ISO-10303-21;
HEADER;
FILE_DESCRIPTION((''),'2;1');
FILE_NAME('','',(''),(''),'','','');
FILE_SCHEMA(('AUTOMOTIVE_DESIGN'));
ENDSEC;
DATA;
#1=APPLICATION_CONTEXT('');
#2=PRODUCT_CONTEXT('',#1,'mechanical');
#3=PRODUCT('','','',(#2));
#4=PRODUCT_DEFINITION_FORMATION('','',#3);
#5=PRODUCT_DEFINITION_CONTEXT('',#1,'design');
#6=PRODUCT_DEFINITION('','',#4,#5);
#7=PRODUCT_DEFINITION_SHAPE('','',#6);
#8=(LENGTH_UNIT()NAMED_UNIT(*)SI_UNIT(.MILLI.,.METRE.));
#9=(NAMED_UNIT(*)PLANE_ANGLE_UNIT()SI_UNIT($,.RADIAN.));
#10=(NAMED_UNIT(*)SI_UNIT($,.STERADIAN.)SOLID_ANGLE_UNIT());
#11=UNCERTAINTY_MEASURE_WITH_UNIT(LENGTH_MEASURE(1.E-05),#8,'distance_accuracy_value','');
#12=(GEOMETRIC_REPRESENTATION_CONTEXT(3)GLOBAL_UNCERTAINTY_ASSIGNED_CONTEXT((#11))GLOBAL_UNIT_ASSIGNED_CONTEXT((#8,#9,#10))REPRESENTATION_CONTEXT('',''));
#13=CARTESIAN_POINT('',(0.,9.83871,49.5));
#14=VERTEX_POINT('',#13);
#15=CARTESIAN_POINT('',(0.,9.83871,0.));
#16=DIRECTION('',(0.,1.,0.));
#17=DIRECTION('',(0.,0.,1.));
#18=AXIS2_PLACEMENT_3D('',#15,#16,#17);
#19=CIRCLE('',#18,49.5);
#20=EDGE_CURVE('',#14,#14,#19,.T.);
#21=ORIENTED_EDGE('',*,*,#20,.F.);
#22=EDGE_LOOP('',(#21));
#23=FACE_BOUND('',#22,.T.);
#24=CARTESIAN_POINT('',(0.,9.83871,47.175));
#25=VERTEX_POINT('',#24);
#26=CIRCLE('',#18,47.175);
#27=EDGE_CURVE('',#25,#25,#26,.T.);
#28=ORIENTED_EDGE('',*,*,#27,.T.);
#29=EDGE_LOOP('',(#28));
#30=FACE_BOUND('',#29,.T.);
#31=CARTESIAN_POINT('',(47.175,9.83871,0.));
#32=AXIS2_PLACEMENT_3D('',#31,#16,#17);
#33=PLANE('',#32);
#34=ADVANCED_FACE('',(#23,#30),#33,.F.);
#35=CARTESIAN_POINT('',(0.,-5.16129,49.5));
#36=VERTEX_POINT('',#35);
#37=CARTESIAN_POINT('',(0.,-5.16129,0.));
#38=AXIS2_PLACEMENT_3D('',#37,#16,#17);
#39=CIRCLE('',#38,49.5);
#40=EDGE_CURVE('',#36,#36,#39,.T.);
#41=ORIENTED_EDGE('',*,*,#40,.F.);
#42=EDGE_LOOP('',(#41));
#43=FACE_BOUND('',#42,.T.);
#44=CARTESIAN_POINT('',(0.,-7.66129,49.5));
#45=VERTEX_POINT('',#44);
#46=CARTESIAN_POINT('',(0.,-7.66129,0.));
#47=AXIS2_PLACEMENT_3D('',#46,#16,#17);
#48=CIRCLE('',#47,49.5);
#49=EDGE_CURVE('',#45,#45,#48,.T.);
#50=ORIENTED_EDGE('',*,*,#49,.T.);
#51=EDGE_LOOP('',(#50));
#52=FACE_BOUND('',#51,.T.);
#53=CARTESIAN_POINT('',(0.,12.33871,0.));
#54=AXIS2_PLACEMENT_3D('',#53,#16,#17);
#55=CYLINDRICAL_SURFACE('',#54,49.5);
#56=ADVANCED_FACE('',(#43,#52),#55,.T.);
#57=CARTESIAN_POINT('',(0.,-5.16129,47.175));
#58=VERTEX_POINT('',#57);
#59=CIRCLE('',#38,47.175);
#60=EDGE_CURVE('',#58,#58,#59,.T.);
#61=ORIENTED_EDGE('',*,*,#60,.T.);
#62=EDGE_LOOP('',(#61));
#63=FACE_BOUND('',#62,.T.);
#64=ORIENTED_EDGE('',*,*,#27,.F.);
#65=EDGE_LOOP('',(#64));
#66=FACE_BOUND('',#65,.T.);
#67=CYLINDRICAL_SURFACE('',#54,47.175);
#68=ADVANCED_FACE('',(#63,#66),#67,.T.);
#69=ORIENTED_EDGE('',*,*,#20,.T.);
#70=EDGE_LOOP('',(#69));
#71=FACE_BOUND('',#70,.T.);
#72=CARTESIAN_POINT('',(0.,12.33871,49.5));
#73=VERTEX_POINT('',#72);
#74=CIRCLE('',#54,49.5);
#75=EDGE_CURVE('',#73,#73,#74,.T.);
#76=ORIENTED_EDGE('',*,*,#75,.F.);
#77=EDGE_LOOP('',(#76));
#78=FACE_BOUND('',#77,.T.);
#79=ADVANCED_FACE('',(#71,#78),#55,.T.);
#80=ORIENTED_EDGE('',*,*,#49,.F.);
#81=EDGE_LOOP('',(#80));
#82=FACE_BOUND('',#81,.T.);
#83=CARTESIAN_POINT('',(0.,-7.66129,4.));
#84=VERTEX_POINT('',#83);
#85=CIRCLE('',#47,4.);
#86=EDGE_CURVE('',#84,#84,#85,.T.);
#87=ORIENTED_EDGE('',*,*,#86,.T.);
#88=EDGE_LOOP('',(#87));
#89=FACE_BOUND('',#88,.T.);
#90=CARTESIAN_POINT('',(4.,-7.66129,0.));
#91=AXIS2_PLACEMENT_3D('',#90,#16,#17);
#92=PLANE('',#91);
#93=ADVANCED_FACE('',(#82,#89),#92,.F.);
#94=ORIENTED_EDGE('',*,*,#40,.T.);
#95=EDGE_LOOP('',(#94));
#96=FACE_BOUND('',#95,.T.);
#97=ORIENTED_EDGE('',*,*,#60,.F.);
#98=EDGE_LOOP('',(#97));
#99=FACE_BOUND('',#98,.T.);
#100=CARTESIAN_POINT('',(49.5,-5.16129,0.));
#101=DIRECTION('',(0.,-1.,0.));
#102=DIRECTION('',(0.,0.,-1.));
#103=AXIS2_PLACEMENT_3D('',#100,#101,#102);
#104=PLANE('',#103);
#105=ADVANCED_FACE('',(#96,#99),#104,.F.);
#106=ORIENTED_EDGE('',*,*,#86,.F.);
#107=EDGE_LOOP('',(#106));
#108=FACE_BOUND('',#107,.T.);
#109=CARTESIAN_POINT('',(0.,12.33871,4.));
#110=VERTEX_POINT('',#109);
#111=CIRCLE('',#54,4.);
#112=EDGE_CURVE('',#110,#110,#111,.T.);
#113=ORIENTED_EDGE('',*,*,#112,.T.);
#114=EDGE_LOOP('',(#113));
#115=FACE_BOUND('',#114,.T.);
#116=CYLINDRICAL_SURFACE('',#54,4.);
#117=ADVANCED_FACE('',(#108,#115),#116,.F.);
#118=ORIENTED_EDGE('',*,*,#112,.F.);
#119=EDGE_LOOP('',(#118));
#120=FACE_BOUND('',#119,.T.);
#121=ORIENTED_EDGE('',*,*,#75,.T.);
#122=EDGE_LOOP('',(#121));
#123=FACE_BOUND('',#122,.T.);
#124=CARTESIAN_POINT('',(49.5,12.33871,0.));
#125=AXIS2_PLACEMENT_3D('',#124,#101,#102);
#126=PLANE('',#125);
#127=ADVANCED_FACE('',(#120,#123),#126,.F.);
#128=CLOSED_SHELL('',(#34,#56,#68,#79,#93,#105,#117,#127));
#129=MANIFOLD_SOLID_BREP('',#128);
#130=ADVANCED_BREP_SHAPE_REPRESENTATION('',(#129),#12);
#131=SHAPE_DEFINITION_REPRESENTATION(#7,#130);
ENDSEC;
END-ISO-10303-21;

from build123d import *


with BuildPart() as part:
    # Schizzo1 → Rivoluzione1 (revolve)
    with BuildSketch(Plane.XY, mode=Mode.PRIVATE) as rivoluzione1_sk:
        Polygon((4, -7.661290323), (49.5, -7.661290323), (49.5, -5.161290323), (47.175, -5.161290323), (47.175, 9.838709677), (49.5, 9.838709677), (49.5, 12.338709677), (4, 12.338709677), align=None)
    revolve(rivoluzione1_sk.sketch.rotate(Axis((0, 12.338709677, 0), (0, -1, 0)), 90), axis=Axis((0, 12.338709677, 0), (0, -1, 0)))


solid = part.part
